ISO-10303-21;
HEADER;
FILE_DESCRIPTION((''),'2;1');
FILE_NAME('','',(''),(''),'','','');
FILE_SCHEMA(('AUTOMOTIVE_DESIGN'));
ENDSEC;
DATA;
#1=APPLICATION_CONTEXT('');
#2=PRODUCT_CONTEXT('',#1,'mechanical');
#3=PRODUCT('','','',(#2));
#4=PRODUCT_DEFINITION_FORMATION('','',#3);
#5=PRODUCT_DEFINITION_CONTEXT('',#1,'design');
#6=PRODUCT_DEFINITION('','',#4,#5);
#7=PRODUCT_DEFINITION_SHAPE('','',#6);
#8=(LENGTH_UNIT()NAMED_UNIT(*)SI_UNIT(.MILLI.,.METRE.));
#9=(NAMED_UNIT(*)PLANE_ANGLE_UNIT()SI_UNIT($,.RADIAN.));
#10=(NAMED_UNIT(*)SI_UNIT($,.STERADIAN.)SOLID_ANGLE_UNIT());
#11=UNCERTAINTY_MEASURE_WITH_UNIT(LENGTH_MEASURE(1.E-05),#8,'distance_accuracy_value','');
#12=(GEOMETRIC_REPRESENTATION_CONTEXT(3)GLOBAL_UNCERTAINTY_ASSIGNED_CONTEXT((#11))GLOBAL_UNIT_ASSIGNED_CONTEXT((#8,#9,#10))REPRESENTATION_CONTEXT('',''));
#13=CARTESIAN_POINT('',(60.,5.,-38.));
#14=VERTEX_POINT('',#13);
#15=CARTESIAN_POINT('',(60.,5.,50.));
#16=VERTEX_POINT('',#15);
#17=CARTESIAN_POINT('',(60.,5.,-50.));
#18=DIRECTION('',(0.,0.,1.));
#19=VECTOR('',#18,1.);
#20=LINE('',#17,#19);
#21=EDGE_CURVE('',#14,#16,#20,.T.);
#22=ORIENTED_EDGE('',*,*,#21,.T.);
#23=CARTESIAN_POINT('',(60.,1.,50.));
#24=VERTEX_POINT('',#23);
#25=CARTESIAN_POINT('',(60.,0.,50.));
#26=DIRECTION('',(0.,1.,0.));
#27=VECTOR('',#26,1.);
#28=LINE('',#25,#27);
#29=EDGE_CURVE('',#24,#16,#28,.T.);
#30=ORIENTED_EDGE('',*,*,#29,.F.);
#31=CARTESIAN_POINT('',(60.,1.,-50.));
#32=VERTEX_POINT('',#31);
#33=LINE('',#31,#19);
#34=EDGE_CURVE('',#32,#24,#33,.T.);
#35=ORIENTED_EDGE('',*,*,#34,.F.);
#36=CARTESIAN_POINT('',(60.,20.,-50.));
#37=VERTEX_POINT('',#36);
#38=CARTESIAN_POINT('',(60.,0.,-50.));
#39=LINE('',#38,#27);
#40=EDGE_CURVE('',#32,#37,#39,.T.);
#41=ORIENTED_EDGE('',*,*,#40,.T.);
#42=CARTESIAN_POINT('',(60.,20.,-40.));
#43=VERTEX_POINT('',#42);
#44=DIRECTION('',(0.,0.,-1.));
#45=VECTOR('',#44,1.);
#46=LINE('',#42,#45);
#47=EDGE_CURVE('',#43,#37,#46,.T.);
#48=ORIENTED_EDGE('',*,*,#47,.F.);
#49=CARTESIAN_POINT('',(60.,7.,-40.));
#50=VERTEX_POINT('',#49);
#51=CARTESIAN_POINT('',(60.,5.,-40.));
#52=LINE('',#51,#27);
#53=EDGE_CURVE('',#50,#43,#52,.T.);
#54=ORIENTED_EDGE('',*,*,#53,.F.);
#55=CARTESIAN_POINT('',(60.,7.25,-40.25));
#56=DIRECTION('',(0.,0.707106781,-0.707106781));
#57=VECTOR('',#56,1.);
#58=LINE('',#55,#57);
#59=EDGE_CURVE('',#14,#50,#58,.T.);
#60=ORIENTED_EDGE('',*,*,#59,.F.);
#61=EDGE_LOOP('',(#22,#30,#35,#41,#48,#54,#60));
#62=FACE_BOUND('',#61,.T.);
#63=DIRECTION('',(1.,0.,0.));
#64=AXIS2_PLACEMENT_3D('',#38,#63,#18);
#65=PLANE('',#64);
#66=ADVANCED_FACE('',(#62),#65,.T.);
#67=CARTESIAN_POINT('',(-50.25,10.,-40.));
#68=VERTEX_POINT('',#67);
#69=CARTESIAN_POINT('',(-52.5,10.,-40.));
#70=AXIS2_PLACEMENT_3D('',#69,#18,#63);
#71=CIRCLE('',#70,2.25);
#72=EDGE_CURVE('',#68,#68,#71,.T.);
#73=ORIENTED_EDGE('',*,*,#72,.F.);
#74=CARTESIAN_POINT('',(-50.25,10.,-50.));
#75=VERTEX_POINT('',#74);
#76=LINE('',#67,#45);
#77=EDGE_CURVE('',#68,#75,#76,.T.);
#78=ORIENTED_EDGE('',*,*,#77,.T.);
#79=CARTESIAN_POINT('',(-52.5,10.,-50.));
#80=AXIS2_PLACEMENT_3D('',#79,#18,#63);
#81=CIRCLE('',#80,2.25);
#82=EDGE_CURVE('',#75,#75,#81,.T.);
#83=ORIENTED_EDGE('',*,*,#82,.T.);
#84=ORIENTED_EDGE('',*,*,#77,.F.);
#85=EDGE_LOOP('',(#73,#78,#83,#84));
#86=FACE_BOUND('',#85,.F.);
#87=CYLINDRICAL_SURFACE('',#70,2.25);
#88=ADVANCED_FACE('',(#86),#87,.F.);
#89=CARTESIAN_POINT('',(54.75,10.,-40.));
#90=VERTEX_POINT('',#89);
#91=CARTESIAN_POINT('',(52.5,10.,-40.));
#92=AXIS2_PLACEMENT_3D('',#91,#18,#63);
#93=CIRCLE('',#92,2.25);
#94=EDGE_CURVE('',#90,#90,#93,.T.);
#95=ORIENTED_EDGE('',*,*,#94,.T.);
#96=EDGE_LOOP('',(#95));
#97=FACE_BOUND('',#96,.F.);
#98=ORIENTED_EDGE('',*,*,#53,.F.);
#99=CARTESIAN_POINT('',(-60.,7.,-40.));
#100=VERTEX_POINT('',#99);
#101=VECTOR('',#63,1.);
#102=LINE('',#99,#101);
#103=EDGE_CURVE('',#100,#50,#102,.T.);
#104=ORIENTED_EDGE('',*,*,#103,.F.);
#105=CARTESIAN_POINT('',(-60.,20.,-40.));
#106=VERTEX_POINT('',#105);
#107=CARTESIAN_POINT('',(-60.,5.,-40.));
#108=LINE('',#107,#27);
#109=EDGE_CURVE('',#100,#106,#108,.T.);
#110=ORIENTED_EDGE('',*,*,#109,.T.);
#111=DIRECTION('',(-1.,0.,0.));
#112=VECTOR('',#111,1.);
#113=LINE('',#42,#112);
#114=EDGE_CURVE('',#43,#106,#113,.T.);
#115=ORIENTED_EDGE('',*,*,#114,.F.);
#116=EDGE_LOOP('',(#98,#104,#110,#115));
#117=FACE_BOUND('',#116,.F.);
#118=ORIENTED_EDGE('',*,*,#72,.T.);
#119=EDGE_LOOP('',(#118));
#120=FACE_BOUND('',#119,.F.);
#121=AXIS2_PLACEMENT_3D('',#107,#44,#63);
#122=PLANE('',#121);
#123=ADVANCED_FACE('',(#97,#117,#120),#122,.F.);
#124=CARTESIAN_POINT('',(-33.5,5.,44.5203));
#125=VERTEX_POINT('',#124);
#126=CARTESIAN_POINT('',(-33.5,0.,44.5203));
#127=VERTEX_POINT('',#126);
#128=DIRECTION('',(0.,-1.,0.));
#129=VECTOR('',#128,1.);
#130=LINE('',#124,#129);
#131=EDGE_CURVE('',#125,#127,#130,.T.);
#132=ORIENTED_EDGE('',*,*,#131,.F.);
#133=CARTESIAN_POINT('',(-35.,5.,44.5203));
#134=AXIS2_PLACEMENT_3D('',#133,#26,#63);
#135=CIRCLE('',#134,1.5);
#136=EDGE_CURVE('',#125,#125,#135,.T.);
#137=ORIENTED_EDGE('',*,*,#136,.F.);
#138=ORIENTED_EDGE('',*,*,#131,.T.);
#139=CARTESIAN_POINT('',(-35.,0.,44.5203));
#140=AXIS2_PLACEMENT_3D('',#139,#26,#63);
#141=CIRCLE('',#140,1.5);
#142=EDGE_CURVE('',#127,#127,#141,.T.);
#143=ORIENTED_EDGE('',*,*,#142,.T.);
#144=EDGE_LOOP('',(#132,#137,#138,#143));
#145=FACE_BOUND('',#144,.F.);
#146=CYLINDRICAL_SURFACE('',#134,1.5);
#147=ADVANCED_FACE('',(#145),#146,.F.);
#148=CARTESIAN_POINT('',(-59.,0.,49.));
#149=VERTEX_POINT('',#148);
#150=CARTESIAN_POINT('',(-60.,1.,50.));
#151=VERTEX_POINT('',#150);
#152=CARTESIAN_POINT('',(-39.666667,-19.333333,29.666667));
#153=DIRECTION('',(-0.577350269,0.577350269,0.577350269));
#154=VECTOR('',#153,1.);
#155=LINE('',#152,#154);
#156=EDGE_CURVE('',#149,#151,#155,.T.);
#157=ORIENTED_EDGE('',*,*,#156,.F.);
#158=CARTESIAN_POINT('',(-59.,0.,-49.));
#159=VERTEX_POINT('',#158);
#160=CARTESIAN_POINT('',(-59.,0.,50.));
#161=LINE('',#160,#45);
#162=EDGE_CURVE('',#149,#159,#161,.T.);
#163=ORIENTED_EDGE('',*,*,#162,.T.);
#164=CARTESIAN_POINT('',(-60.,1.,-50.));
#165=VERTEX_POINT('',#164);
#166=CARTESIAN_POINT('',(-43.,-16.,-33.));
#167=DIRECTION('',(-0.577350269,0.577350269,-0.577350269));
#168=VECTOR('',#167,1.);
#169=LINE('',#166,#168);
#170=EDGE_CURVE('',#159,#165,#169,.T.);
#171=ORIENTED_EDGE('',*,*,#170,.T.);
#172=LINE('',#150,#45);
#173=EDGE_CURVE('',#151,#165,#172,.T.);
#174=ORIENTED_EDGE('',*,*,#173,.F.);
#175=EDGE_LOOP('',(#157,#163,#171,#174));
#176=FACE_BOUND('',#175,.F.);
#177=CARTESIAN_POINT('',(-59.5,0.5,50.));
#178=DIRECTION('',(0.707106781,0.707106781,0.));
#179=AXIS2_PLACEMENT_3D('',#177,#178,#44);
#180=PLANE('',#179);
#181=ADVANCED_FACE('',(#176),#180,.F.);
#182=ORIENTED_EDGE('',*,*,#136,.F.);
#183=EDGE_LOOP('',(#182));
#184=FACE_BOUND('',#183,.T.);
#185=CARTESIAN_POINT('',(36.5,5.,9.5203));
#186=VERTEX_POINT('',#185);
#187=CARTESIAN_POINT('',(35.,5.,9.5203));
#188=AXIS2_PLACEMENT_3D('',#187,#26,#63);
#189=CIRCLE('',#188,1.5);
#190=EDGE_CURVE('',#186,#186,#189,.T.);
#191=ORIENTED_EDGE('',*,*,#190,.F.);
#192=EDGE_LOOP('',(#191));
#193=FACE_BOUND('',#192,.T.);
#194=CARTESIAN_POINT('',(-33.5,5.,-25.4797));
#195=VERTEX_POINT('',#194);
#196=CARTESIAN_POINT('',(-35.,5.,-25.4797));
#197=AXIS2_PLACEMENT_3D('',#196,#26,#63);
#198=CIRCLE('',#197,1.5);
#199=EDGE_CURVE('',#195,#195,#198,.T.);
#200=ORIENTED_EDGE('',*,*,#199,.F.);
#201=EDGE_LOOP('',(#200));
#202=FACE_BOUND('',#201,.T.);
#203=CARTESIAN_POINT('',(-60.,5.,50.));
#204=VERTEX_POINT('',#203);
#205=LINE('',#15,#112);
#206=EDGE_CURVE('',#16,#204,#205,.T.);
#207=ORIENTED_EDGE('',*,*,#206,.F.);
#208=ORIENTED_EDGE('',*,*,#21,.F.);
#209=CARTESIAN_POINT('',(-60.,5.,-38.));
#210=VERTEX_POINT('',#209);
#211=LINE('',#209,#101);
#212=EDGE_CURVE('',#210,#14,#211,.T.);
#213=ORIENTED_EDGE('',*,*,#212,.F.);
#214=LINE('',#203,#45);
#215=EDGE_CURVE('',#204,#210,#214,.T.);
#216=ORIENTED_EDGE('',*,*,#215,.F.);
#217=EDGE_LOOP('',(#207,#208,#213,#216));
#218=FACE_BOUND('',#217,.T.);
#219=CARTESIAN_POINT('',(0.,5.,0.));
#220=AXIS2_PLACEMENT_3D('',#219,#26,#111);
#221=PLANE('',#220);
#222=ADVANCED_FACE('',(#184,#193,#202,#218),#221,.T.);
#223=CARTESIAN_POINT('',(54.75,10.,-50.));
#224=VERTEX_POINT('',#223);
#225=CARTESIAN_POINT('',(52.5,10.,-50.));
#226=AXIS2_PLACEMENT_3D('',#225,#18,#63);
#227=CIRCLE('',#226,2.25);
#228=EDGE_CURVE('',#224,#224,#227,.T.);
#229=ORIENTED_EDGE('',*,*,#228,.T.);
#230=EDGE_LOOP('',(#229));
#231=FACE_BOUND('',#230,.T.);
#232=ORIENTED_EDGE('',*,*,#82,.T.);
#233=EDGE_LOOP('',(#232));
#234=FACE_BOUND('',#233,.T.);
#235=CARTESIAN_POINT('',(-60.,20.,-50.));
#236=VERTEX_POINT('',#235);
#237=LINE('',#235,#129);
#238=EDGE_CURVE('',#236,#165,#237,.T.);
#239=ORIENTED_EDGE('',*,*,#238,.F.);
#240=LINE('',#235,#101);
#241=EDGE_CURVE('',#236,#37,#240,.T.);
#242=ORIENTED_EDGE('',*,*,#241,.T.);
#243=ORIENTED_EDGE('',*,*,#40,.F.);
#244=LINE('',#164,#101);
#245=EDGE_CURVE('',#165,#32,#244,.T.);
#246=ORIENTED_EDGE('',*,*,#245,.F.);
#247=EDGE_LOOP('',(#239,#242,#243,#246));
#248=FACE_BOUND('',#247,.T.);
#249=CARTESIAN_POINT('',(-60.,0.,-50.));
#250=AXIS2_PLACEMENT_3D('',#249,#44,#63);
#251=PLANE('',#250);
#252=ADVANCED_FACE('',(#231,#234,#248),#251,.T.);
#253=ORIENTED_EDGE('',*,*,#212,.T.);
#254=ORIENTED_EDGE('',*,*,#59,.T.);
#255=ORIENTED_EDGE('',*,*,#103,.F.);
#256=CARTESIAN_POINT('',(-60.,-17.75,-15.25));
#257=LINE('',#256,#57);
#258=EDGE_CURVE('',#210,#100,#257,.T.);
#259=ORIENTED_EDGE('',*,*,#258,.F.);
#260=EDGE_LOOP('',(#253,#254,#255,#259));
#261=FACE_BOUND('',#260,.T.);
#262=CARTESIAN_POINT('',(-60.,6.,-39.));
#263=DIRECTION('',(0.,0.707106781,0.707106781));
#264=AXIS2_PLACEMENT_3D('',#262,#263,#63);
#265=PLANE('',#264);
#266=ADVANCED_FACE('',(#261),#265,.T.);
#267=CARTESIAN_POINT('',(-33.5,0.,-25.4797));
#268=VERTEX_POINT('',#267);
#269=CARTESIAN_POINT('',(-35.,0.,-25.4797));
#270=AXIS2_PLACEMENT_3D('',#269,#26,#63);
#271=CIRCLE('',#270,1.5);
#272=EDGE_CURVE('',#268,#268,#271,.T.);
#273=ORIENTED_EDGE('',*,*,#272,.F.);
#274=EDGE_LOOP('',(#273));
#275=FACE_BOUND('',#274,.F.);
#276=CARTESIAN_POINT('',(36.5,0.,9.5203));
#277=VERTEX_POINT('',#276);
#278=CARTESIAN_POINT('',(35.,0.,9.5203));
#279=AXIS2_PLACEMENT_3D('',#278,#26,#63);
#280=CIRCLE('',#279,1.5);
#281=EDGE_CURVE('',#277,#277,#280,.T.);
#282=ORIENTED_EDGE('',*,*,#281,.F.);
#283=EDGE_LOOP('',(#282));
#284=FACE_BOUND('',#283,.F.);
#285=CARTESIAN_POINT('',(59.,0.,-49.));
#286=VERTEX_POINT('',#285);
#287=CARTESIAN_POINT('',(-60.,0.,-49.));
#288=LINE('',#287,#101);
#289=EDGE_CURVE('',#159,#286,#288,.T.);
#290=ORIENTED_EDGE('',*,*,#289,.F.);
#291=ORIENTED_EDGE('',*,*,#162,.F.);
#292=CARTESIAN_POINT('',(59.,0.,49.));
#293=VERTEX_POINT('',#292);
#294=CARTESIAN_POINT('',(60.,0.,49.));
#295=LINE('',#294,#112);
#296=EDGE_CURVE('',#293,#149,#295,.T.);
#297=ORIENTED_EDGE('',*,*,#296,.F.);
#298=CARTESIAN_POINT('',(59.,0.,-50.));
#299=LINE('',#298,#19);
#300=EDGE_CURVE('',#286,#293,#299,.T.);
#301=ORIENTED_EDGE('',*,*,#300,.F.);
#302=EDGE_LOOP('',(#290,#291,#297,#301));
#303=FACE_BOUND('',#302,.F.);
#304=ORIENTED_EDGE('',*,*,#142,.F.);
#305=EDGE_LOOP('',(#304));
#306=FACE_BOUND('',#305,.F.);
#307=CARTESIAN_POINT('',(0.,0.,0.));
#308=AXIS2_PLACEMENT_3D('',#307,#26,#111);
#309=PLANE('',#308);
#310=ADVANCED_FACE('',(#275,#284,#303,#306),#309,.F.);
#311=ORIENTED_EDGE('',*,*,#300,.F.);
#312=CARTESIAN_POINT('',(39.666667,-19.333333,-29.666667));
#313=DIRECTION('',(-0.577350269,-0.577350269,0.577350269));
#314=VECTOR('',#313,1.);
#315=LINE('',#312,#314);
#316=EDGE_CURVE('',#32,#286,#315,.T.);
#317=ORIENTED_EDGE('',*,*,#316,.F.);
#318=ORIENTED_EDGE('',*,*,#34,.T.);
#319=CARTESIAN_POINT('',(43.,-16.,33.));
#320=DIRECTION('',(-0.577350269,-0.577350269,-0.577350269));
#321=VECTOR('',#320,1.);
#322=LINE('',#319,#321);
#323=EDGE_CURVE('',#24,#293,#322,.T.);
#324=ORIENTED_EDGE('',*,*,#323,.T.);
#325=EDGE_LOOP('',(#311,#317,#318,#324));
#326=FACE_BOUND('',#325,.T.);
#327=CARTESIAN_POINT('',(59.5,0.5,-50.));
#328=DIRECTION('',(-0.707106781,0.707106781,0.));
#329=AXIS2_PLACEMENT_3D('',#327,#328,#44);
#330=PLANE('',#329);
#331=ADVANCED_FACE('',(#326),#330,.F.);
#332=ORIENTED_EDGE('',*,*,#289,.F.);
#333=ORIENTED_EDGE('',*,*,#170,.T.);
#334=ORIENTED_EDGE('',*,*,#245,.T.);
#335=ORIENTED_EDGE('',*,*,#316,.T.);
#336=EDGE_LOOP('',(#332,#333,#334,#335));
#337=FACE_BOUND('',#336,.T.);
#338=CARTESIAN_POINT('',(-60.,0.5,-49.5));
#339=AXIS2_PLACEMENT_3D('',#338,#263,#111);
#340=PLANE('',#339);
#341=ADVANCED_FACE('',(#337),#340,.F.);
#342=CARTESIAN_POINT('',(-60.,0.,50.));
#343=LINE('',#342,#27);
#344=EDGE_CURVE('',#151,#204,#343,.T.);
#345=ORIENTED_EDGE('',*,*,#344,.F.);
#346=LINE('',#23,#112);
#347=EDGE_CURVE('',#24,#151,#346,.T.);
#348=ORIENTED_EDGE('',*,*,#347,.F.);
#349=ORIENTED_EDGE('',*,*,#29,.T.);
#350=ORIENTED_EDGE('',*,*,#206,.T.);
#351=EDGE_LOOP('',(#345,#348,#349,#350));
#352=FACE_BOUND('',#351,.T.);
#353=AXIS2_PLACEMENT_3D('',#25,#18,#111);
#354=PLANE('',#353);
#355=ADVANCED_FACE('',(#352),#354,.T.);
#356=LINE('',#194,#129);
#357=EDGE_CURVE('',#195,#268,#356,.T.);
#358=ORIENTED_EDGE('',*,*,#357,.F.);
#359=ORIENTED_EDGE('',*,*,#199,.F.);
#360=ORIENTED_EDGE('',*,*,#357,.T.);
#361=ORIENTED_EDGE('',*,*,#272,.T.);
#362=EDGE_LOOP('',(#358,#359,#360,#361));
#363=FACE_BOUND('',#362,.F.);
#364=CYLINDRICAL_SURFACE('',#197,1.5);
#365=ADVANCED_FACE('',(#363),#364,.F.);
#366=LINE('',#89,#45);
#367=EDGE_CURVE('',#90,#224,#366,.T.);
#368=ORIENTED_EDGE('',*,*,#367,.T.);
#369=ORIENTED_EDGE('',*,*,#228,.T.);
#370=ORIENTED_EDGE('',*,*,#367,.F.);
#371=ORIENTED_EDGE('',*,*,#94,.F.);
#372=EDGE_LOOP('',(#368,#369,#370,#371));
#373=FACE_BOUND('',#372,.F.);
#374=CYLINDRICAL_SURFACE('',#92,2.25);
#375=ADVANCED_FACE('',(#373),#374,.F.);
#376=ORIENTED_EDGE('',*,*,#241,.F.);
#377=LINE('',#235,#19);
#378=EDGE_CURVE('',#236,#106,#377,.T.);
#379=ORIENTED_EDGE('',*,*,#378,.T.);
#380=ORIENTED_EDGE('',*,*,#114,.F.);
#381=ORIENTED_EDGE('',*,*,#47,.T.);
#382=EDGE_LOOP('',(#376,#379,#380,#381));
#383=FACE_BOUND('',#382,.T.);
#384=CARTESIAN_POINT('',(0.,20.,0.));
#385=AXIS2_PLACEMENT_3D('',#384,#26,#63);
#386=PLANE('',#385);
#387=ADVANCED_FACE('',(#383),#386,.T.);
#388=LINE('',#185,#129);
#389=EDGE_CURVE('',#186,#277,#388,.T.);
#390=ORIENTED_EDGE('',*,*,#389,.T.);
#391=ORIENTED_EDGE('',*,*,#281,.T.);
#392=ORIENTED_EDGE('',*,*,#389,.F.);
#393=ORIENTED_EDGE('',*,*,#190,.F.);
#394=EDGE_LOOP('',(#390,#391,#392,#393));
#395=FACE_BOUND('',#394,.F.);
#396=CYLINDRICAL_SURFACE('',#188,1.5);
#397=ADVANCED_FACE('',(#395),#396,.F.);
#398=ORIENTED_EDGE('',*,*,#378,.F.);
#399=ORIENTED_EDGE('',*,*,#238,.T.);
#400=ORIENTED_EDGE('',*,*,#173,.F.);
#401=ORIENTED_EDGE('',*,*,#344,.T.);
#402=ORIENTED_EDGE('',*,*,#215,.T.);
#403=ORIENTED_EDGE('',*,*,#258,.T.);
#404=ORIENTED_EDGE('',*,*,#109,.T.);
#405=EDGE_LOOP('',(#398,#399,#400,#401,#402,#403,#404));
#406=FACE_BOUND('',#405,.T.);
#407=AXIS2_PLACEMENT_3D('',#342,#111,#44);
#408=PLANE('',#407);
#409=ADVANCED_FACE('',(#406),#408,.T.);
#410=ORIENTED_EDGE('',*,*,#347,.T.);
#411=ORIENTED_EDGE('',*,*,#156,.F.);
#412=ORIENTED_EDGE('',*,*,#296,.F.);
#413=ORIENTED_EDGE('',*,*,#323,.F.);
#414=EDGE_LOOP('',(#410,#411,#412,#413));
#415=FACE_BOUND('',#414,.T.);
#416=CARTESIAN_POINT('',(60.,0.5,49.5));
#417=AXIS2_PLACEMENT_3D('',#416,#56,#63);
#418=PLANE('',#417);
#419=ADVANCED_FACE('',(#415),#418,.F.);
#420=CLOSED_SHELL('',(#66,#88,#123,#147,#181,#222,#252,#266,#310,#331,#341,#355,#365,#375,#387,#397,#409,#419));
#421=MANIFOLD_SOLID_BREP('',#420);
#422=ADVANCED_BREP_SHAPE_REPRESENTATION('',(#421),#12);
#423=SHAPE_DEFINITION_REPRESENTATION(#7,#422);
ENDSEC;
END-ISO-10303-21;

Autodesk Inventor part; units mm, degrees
ref_plane "YZ Plane" through (0, 0, 0) normal (1, 0, 0) x (0, 1, 0)
ref_plane "XZ Plane" through (0, 0, 0) normal (0, 1, 0) x (-1, 0, 0)
ref_plane "XY Plane" through (0, 0, 0) normal (0, 0, 1) x (1, 0, 0)
sketch "Sketch1" plane through (0, 0, 0) normal (0, 1, 0) x (-1, 0, 0)
  line L0 (-60, 50) -> (60, 50)
  line L1 (60, 50) -> (60, -50)
  line L2 (60, -50) -> (-60, -50)
  line L3 (-60, -50) -> (-60, 50)
  line L4 (-60, 50) -> (60, -50) construction
  line L5 (60, 50) -> (-60, -50) construction
  point P0 (0, 0)
  dimension "d0" = 100
  dimension "d1" = 120
extrude "Extrusion1" add sketch "Sketch1" along normal blind 5
sketch "Sketch2" plane through (0, 5, 0) normal (0, 1, 0) x (1, 0, 0)
  line L0 (-70.5402, 20) -> (79.21, 20) construction
  line L1 (-60, -50) -> (60, -50) projected
  line L2 (60, 50) -> (-60, 50)
  line L3 (-60, 50) -> (-60, 40)
  line L4 (-60, 40) -> (60, 40)
  line L5 (60, 40) -> (60, 50)
  line L6 (60, 50) -> (-60, 40) construction
  line L7 (-60, 50) -> (60, 40) construction
  line L8 (0, 70) -> (0, -70) projected
  line L9 (-60, 50) -> (-60, -50) projected
  line L10 (60, 50) -> (-60, 50) projected
  point P0 (0, 0)
  point P1 (0, 45)
  point P2 (0, 45)
  dimension "d4" = 70
  dimension "d5" = 10
extrude "Extrusion2" add sketch "Sketch2" along normal blind 15 contours L3 L2 L8 L4 | L8 L2 L5 L4
sketch "Sketch3" plane through (-60, 5, -40) normal (0, 0, 1) x (1, 0, 0)
  circle A0 centre (7.5, 5) radius 2.25
  line L0 (60, -9) -> (60, 19) construction
  circle A1 centre (112.5, 5) radius 2.25
  line L1 (120, 0) -> (0, 0) projected
  line L2 (0, -5) -> (120, -5) projected
  point P0 (60, -5)
  dimension "d8" = 4.5
  dimension "d9" = 105
  dimension "d22" = 10
extrude "Extrusion3" cut sketch "Sketch3" against normal up to next
sketch "Sketch4" plane through (0, 5, 0) normal (0, 1, 0) x (1, 0, 0)
  circle A0 centre (-35, 25.4797) radius 1.5
  circle A1 centre (-35, -44.5203) radius 1.5
  circle A2 centre (35, -9.5203) radius 1.5
  line L0 (-101.4889, -9.5203) -> (42.7418, -9.5203) construction
  point P0 (0, 0)
  dimension "d13" = 70
  dimension "d14" = 70
  dimension "d15" = 3
  dimension "d16" = 35
extrude "Extrusion4" cut sketch "Sketch4" against normal up to next
chamfer "Chamfer2" distance 2 angle 45 1 edges at (0, 5, -40)
chamfer "Chamfer3" distance 1 angle 45 4 edges at (-60, 0, 0) (0, 0, 50) (0, 0, -50) (60, 0, 0)
equation "\"d16\" = 0.5 * d14"
properties part number "_3DPrint"
